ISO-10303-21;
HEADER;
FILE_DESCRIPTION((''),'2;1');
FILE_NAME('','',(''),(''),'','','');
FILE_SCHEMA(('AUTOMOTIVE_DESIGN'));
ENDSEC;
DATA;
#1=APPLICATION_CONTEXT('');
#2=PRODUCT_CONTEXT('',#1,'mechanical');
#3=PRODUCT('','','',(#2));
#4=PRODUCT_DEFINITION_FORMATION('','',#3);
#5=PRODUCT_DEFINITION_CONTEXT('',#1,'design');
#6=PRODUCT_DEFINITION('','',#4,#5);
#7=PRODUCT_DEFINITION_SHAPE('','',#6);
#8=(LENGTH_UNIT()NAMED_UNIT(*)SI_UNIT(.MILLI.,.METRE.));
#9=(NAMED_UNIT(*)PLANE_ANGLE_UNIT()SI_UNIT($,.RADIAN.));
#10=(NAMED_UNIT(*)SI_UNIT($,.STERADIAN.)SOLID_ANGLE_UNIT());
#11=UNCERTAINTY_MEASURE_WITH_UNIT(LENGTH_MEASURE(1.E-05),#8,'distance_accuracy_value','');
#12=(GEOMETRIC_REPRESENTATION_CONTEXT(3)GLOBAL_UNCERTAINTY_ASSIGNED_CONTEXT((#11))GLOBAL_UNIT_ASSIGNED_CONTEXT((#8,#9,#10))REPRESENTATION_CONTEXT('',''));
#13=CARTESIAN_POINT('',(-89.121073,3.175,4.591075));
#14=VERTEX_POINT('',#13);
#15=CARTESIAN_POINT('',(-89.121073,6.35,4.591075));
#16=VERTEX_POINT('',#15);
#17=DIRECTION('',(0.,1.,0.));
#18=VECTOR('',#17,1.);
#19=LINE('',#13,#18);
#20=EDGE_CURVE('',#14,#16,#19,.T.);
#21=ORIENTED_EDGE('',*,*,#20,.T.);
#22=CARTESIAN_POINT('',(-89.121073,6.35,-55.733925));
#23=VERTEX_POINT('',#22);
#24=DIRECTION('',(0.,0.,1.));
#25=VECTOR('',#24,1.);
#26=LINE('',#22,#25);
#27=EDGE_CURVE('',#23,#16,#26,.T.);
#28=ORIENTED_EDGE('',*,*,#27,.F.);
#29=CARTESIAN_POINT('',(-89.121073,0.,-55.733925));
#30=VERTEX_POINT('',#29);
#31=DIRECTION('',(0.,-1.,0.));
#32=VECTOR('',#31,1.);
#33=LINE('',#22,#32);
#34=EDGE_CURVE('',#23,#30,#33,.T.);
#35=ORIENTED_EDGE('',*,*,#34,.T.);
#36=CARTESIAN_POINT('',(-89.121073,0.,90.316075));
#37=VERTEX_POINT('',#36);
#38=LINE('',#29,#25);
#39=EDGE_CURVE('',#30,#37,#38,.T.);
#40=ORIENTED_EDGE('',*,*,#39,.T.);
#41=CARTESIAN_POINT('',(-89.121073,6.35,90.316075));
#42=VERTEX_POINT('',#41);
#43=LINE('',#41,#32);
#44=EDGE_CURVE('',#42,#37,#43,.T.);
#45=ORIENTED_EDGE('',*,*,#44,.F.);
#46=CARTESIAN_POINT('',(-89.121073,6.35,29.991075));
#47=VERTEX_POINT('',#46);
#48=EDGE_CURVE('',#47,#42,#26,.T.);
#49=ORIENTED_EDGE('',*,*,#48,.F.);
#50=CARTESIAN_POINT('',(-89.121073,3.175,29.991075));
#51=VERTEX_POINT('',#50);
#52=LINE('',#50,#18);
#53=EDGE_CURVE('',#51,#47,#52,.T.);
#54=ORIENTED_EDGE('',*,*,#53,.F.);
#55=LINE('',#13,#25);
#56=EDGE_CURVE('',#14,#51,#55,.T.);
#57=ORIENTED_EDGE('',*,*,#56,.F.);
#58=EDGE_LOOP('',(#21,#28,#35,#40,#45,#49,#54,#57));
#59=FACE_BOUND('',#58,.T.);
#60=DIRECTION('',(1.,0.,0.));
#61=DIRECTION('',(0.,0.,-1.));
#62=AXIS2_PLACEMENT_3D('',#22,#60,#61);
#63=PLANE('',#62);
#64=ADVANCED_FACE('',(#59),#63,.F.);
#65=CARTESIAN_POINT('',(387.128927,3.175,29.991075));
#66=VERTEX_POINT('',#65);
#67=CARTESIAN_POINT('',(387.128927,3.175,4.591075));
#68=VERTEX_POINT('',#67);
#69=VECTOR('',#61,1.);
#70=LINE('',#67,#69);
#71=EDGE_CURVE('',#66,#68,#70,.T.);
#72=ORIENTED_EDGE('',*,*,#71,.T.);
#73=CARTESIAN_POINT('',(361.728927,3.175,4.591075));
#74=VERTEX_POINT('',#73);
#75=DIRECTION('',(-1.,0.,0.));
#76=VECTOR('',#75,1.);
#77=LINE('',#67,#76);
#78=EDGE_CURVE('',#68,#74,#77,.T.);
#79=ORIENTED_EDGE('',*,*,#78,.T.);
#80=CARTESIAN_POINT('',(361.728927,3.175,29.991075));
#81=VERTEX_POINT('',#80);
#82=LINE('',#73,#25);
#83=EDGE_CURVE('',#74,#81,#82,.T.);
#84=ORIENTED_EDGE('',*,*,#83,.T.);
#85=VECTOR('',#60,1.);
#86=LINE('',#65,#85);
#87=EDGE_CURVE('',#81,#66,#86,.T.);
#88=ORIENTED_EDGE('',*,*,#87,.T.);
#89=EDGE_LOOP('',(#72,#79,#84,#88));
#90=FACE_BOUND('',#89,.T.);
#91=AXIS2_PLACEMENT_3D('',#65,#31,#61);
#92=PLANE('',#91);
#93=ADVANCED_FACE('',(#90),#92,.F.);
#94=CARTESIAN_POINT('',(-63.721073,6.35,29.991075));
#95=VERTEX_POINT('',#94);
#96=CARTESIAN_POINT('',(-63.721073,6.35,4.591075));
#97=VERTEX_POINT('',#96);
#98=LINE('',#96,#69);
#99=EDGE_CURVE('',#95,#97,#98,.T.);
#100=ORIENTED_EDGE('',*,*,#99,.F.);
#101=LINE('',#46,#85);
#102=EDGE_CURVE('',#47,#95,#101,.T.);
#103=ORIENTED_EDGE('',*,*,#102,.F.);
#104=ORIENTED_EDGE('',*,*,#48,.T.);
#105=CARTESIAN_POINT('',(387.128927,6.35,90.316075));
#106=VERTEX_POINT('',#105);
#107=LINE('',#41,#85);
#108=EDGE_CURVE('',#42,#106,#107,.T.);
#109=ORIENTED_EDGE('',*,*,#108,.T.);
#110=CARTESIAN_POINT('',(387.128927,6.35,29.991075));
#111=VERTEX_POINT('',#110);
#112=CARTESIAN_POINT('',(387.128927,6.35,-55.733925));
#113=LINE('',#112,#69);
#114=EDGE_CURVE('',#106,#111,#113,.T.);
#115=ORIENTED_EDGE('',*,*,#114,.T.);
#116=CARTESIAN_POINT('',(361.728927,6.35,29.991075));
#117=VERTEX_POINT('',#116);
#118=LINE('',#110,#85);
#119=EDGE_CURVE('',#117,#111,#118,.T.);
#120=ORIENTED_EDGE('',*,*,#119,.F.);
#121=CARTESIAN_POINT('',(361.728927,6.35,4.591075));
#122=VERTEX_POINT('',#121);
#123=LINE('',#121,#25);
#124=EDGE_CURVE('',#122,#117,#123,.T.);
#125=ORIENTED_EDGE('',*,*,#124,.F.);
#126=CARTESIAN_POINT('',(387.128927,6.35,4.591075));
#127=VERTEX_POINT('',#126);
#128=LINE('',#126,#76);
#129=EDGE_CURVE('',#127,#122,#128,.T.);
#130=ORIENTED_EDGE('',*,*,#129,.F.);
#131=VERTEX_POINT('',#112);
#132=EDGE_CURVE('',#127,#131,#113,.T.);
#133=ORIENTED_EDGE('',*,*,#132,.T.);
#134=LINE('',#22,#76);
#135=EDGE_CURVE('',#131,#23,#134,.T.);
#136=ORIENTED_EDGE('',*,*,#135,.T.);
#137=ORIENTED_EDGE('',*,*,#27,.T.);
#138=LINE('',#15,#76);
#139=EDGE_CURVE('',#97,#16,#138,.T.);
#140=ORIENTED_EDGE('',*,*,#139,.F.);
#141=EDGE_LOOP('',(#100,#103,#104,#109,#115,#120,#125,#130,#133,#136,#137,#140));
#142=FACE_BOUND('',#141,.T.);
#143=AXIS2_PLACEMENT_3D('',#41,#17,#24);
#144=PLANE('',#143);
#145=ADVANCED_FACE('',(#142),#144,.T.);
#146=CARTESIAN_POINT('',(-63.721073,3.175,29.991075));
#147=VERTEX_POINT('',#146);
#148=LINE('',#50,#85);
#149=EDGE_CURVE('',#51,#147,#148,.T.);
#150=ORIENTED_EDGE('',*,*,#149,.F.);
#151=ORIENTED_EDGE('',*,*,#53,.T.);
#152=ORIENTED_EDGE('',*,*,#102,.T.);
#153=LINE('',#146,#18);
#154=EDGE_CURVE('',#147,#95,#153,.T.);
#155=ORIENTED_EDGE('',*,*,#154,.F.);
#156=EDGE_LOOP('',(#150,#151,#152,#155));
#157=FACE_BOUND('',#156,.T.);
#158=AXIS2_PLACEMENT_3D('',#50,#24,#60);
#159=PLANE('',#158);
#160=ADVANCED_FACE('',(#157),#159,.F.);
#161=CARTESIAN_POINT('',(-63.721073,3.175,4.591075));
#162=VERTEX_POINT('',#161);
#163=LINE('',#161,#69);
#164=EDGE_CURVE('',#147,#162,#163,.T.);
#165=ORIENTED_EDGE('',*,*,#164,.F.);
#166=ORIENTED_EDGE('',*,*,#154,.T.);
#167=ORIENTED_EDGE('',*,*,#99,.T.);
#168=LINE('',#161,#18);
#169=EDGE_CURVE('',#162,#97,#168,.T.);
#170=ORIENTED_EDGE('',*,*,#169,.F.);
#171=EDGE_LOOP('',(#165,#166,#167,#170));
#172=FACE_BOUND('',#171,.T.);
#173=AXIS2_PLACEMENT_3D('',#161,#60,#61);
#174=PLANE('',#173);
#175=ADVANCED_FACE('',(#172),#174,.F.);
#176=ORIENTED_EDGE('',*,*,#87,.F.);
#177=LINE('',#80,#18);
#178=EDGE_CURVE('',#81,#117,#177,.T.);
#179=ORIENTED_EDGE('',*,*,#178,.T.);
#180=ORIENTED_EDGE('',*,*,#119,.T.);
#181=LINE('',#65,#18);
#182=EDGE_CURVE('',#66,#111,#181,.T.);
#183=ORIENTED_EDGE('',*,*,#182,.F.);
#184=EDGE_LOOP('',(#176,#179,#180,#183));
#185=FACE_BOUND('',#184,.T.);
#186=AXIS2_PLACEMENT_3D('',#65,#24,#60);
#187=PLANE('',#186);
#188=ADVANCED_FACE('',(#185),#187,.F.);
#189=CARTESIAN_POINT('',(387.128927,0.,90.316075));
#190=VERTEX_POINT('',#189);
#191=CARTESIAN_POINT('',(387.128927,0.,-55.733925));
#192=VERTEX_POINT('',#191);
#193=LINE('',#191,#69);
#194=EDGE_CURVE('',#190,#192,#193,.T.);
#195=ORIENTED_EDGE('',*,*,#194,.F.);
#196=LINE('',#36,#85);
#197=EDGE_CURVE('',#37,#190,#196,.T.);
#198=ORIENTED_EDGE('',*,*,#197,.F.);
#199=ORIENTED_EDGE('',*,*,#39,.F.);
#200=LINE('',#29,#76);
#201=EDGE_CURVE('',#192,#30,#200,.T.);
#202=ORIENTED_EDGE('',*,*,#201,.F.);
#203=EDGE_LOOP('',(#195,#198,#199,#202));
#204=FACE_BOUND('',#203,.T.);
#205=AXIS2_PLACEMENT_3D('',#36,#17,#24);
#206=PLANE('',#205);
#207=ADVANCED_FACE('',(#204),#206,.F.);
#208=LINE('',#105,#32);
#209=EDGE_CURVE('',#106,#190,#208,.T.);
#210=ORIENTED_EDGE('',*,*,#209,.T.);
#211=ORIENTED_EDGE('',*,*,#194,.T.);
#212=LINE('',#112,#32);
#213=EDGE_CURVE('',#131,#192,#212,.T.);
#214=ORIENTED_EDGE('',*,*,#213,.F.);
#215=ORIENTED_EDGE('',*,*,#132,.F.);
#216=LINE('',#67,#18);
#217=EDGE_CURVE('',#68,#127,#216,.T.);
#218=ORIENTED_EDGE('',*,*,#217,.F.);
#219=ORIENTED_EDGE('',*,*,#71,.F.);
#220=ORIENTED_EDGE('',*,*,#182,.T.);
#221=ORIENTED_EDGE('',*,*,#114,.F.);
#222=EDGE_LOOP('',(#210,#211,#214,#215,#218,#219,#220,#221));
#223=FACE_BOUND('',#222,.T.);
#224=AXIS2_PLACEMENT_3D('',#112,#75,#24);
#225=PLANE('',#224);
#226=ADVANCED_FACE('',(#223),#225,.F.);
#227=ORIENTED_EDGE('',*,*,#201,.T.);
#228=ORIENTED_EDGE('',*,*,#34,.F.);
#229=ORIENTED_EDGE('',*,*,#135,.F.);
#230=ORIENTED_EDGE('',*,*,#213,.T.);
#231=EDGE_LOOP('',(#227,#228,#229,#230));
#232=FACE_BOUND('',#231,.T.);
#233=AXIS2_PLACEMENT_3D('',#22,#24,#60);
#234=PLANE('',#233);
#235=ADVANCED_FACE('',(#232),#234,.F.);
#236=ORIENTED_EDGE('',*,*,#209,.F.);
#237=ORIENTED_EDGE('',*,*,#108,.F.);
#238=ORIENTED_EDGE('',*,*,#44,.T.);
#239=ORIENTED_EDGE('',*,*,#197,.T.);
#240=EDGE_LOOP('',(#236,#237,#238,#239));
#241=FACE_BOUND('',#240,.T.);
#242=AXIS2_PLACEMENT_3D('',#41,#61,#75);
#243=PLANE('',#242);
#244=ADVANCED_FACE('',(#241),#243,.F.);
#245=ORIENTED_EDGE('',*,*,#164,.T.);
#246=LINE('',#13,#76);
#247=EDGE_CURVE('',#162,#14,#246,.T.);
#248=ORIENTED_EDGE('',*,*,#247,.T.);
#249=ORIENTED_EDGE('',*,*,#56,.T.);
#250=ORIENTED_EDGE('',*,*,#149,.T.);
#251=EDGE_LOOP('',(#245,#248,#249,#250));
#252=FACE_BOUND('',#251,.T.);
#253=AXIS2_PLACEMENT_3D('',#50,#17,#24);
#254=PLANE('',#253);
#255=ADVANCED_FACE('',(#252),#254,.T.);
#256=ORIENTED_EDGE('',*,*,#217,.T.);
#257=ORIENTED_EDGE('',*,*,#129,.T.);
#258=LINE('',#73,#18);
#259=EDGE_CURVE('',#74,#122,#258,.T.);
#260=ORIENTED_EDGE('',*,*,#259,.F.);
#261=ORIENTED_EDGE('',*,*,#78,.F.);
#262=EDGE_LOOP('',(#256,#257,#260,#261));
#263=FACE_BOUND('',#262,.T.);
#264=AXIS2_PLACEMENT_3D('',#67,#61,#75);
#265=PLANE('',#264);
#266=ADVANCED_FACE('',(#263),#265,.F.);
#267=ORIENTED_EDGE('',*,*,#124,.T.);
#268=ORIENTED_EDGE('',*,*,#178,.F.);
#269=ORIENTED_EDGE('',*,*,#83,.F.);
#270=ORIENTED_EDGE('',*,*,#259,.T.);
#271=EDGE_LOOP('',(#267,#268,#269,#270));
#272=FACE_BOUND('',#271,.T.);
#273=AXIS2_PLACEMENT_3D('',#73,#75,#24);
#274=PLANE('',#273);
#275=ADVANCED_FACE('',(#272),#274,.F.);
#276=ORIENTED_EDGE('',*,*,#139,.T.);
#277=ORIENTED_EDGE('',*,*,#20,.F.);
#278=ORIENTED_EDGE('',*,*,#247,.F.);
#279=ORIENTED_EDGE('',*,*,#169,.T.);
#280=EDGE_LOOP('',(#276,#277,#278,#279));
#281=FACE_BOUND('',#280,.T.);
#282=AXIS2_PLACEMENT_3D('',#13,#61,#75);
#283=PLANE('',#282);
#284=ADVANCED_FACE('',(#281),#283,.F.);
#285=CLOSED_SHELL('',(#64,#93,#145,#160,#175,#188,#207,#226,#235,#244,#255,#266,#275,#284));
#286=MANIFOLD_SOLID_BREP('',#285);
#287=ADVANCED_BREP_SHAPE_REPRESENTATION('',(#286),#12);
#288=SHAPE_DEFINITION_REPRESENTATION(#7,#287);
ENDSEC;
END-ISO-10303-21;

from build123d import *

# Parameters (mm, degrees)
SKETCH1_W           = 476.25
SKETCH1_H           = 146.05
BOSS_EXTRUDE1_DEPTH = 6.35
SKETCH2_W           = 25.4
SKETCH2_H           = 25.4
CUT_EXTRUDE1_DEPTH  = 3.175


with BuildPart() as part:
    # Sketch1 → Boss-Extrude1 (new body)
    with BuildSketch(Plane(origin=(0, 0, 0), x_dir=(1, 0, 0), z_dir=(0, 1, 0))):
        with Locations((149.003927171, -17.29107535)):
            Rectangle(SKETCH1_W, SKETCH1_H)
    extrude(amount=BOSS_EXTRUDE1_DEPTH)

    # Sketch2 → Cut-Extrude1 (cut)
    with BuildSketch(Plane(origin=(0, 6.35, 0), x_dir=(1, 0, 0), z_dir=(0, 1, 0))):
        with Locations((-76.421072829, -17.29107535)):
            Rectangle(SKETCH2_W, SKETCH2_H)
        with Locations((374.428927171, -17.29107535)):
            Rectangle(SKETCH2_W, SKETCH2_H)
    extrude(amount=-CUT_EXTRUDE1_DEPTH, mode=Mode.SUBTRACT)


solid = part.part
